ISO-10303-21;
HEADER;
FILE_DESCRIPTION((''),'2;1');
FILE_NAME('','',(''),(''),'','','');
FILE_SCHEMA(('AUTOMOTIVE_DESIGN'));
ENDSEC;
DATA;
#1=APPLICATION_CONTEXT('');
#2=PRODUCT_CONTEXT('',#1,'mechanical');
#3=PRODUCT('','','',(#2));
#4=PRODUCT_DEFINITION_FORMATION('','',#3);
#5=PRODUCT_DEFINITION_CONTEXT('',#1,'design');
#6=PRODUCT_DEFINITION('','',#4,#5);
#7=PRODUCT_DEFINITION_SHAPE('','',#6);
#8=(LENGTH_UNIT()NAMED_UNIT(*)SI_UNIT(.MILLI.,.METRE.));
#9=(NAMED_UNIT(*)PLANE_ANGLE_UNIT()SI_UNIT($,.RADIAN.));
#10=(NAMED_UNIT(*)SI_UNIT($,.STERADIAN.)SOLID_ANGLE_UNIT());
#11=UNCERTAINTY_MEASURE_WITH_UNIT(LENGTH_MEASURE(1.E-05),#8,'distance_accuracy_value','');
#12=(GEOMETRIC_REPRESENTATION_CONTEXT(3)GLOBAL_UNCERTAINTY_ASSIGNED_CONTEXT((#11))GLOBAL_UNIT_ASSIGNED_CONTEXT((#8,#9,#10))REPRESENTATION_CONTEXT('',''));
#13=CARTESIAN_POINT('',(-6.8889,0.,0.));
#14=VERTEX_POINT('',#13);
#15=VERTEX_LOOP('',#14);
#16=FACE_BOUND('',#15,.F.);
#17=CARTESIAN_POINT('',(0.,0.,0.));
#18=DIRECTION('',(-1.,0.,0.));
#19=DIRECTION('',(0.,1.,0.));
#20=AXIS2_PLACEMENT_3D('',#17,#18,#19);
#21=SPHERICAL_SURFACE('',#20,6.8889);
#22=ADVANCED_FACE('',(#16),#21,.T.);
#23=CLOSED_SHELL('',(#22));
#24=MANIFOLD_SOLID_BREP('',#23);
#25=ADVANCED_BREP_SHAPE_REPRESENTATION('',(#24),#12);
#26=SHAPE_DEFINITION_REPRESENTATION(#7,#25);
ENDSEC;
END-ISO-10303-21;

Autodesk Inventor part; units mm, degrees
sketch "Sketch_1" plane through (0, 0, 0) normal (0, 0, 1) x (1, 0, 0)
  line L0 (50, 0) -> (-50, 0)
  arc A0 (6.8889, 0) -> (-6.8889, 0) centre (0, 0) ccw
  line L1 (6.8889, 0) -> (-6.8889, 0)
revolve "Revolution1" add sketch "Sketch_1" angle 360 about axis through (50, 0, 0) along (1, 0, 0)
ref_plane "IP_3_XY" through (0, 0, 0) normal (1, 0, 0) x (0, 0, -1)
ref_plane "IP_3_YZ" through (0, 0, 0) normal (0, 0, -1) x (0, 1, 0)
ref_plane "IP_3_ZX" through (0, 0, 0) normal (0, 1, 0) x (1, 0, 0)
properties part number "hpc_Q2307-ACC_3"
